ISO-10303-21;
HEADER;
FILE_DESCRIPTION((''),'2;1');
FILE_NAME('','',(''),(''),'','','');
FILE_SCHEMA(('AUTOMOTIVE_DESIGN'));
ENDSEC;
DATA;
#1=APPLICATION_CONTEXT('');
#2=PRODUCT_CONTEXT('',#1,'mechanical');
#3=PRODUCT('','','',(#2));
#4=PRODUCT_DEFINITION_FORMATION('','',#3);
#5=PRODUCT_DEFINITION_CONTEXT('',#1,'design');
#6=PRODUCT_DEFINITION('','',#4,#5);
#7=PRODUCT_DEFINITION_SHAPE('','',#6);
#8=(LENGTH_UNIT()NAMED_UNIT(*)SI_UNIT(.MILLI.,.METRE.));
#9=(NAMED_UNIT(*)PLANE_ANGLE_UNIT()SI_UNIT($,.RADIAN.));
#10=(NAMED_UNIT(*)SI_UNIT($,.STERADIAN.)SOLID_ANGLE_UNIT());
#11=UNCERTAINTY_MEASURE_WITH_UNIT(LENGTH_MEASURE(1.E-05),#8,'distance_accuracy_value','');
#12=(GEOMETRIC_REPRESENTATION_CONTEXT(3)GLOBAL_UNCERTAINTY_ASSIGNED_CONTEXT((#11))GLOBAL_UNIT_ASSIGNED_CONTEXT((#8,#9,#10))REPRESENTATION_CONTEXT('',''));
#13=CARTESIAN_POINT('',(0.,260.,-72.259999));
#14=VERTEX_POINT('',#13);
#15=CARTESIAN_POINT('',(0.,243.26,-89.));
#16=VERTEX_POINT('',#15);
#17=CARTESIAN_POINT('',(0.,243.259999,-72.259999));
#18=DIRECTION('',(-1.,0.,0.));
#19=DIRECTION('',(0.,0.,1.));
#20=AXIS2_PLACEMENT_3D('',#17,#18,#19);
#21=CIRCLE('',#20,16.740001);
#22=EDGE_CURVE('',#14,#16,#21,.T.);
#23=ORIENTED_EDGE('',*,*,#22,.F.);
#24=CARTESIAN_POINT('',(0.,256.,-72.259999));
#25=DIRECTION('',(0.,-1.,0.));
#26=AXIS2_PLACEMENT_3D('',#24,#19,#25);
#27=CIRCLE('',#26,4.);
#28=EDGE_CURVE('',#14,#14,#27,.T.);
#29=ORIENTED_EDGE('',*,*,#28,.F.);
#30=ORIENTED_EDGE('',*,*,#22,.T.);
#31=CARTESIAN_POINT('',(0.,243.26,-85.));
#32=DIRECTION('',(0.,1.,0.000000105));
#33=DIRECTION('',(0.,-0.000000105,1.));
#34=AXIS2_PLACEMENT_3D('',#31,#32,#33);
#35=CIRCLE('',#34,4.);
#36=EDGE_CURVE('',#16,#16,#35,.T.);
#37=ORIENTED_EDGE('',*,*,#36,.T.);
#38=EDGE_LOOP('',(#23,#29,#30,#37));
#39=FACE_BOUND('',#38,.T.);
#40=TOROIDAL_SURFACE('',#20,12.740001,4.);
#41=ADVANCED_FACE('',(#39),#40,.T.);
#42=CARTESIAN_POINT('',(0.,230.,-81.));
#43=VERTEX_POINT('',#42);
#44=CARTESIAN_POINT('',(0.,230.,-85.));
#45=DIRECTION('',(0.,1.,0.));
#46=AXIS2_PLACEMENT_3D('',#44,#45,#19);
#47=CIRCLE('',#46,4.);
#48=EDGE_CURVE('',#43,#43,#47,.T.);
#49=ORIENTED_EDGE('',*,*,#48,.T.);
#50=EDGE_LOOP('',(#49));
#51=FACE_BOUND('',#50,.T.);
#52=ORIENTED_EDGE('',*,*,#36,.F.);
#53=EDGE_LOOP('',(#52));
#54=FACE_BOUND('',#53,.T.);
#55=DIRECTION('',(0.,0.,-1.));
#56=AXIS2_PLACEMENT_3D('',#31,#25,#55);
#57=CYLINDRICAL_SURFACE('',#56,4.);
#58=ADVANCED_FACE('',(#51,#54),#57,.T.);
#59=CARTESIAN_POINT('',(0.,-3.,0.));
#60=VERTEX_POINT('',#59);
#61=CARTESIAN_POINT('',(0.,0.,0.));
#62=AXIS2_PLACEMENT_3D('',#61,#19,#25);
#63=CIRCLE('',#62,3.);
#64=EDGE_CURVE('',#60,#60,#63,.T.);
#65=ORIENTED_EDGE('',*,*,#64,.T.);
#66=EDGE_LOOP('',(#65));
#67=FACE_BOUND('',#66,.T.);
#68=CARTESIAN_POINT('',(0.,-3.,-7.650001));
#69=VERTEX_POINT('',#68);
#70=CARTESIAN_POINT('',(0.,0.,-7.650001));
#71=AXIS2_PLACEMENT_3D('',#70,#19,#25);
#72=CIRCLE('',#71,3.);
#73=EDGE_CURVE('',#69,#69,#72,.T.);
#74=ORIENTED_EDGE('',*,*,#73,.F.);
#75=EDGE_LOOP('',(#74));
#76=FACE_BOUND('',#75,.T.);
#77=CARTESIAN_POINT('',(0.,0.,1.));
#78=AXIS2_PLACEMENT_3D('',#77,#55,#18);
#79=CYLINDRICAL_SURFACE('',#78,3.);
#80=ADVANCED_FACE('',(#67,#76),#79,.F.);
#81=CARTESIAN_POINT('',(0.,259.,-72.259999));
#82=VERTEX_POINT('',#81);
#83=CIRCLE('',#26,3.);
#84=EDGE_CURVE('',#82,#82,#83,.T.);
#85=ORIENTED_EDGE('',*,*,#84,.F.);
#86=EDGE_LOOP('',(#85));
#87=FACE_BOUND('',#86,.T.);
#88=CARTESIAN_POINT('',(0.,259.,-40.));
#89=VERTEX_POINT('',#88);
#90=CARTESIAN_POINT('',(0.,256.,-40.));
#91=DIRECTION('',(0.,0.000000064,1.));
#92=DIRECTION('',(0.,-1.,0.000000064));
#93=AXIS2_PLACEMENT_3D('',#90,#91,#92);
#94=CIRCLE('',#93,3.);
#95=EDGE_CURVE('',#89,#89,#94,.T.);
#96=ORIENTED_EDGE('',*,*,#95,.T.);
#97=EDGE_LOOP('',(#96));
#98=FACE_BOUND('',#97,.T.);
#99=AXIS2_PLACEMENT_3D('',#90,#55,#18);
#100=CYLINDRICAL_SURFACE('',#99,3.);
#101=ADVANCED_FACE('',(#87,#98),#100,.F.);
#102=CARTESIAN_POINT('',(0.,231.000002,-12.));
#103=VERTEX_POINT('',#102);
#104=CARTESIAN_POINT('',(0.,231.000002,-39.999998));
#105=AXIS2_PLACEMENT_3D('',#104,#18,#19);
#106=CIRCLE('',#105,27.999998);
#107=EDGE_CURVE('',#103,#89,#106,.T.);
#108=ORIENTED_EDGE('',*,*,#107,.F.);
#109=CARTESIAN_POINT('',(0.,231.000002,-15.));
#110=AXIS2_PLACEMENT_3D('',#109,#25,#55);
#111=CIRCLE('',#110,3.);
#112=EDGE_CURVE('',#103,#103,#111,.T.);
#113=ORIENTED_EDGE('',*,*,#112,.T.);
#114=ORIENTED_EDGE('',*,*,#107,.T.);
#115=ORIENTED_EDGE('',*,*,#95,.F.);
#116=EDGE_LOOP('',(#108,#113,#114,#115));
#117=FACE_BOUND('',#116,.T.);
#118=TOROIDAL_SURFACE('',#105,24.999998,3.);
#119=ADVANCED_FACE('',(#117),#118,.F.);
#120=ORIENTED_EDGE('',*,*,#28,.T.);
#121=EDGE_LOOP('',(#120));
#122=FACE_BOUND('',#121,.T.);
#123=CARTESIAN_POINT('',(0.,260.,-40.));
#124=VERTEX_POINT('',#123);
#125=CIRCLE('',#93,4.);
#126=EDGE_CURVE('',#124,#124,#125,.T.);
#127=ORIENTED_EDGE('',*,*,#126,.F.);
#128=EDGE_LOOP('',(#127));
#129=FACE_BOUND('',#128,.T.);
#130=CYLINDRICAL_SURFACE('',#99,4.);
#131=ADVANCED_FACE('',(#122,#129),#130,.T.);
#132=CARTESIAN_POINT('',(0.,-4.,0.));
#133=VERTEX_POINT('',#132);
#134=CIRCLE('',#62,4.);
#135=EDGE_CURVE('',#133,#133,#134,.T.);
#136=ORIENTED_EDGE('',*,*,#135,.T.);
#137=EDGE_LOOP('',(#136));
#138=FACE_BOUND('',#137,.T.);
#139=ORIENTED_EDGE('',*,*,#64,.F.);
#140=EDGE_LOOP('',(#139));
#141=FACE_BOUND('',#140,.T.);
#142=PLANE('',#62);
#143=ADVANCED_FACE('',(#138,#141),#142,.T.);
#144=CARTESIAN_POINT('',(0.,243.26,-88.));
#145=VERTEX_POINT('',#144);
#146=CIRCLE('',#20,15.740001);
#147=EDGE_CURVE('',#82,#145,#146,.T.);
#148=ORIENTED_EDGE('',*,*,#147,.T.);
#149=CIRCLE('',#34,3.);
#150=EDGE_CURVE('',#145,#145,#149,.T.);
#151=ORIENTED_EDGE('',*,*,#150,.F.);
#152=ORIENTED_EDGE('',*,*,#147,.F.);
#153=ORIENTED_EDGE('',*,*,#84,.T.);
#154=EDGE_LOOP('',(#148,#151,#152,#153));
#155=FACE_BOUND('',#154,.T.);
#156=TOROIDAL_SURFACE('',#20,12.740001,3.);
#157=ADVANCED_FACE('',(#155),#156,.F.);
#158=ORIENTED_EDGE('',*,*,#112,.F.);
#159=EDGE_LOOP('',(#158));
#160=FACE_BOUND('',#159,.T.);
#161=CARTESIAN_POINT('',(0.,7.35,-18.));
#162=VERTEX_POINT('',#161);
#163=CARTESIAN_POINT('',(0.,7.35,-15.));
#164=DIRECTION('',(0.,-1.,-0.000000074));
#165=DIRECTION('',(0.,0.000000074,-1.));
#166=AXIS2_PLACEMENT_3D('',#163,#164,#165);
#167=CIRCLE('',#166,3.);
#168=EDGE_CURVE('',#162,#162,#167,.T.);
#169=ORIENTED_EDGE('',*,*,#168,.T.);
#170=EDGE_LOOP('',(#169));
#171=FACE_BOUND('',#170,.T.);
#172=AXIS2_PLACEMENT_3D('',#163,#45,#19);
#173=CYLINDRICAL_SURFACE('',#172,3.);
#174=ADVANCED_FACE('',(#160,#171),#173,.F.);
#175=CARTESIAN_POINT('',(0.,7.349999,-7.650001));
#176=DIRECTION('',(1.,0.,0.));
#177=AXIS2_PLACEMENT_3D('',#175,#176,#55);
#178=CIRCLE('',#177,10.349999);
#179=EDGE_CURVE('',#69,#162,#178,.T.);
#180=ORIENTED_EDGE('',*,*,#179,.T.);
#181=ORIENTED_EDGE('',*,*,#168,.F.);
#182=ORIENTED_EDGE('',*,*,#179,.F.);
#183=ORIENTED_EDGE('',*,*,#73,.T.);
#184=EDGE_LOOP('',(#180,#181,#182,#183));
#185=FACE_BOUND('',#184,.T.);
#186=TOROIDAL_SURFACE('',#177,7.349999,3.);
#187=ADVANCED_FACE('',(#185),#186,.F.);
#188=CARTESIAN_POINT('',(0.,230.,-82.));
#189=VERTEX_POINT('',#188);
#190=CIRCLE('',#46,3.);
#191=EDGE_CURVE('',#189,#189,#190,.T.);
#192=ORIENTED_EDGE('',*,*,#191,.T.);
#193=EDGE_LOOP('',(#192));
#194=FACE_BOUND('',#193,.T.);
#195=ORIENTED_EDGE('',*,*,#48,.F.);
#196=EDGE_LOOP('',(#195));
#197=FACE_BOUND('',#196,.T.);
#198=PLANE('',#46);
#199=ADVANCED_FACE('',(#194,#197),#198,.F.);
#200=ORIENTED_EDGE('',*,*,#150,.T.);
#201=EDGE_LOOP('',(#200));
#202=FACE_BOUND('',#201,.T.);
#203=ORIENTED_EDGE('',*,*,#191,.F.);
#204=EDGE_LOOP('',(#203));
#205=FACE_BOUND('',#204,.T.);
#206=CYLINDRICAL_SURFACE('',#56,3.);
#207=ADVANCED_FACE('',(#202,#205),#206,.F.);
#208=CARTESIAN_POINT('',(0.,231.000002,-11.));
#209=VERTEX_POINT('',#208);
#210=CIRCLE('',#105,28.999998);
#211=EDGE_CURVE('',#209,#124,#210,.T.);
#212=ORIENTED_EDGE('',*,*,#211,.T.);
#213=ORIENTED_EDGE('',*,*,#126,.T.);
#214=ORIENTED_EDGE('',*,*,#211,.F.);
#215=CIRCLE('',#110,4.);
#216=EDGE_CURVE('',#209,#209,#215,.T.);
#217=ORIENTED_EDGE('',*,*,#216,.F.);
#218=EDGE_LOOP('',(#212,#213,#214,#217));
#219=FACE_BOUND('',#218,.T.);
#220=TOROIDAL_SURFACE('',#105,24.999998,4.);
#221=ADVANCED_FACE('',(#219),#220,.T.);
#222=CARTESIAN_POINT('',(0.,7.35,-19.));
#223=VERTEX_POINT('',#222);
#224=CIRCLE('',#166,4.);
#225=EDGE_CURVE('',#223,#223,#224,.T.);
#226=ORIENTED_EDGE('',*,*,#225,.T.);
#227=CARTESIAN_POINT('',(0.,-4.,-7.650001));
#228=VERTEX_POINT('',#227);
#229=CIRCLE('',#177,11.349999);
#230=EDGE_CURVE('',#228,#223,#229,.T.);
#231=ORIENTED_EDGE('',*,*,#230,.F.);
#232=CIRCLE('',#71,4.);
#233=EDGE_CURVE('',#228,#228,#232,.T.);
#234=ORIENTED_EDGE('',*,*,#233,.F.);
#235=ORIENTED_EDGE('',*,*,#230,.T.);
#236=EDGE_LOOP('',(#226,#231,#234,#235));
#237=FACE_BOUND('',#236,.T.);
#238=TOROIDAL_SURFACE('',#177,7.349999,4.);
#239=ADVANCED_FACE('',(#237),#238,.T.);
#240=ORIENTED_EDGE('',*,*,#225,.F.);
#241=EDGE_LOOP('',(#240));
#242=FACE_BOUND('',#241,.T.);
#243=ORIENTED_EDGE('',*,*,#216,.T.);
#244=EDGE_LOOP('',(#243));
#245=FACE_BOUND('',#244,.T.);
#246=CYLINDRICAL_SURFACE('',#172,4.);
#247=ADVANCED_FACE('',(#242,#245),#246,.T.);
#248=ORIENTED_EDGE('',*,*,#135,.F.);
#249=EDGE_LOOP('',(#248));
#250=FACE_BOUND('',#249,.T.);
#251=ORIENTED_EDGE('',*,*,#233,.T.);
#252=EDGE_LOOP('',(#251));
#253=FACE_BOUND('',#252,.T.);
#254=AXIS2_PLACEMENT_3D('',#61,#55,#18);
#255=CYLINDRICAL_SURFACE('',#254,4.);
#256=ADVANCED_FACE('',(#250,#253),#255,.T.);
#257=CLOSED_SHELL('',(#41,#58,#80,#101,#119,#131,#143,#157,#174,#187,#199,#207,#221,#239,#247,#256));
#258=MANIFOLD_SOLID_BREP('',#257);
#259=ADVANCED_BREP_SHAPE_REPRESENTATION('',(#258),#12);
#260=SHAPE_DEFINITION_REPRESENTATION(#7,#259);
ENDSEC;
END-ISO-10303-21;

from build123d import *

# Parameters (mm, degrees)
SWEEP1_PROFILE_R                           = 4
HOLLOW_TUBE_OD_AND_WALL_PROVISIONAL_PROF_R = 3


with BuildPart() as part:
    # Sweep1: sweep along a curve in space
    with BuildLine() as sweep1_path:
        Line((0, 0, 0), (0, 0, -7.65000054))
        ThreePointArc((0, 0, -7.65000054), (0, 2.152765191, -12.847235191), (0, 7.35, -15))
        Line((0, 7.35, -15), (0, 231.000001606, -15))
        ThreePointArc((0, 231.000001606, -15), (0, 248.677670568, -22.322330568), (0, 256, -40))
        Line((0, 256, -40), (0, 256, -72.259998661))
        ThreePointArc((0, 256, -72.259998661), (0, 252.268540474, -81.268539526), (0, 243.26, -85))
        Line((0, 243.26, -85), (0, 230, -85))
    # Sweep1 profile (on start of the path) → Sweep1 (sweep)
    with BuildSketch(Plane(origin=(0, 0, 0), x_dir=(-1, 0, 0), z_dir=(0, 0, -1))):
        Circle(SWEEP1_PROFILE_R)
    sweep(path=sweep1_path.line)

    # Hollow_tube_OD_and_wall_PROVISIONAL: sweep along a curve in space
    with BuildLine() as hollow_tube_od_and_wall_provisional_path:
        Line((0, 0, 0), (0, 0, -7.65000054))
        ThreePointArc((0, 0, -7.65000054), (0, 2.152765191, -12.847235191), (0, 7.35, -15))
        Line((0, 7.35, -15), (0, 231.000001606, -15))
        ThreePointArc((0, 231.000001606, -15), (0, 248.677670568, -22.322330568), (0, 256, -40))
        Line((0, 256, -40), (0, 256, -72.259998661))
        ThreePointArc((0, 256, -72.259998661), (0, 252.268540474, -81.268539526), (0, 243.26, -85))
        Line((0, 243.26, -85), (0, 230, -85))
    # Hollow_tube_OD_and_wall_PROVISIONAL prof (on start of the path) → Hollow_tube_OD_and_wall_PROVISIONAL (sweep, cut)
    with BuildSketch(Plane(origin=(0, 0, 0), x_dir=(-1, 0, 0), z_dir=(0, 0, -1))):
        Circle(HOLLOW_TUBE_OD_AND_WALL_PROVISIONAL_PROF_R)
    sweep(path=hollow_tube_od_and_wall_provisional_path.line, mode=Mode.SUBTRACT)


solid = part.part
